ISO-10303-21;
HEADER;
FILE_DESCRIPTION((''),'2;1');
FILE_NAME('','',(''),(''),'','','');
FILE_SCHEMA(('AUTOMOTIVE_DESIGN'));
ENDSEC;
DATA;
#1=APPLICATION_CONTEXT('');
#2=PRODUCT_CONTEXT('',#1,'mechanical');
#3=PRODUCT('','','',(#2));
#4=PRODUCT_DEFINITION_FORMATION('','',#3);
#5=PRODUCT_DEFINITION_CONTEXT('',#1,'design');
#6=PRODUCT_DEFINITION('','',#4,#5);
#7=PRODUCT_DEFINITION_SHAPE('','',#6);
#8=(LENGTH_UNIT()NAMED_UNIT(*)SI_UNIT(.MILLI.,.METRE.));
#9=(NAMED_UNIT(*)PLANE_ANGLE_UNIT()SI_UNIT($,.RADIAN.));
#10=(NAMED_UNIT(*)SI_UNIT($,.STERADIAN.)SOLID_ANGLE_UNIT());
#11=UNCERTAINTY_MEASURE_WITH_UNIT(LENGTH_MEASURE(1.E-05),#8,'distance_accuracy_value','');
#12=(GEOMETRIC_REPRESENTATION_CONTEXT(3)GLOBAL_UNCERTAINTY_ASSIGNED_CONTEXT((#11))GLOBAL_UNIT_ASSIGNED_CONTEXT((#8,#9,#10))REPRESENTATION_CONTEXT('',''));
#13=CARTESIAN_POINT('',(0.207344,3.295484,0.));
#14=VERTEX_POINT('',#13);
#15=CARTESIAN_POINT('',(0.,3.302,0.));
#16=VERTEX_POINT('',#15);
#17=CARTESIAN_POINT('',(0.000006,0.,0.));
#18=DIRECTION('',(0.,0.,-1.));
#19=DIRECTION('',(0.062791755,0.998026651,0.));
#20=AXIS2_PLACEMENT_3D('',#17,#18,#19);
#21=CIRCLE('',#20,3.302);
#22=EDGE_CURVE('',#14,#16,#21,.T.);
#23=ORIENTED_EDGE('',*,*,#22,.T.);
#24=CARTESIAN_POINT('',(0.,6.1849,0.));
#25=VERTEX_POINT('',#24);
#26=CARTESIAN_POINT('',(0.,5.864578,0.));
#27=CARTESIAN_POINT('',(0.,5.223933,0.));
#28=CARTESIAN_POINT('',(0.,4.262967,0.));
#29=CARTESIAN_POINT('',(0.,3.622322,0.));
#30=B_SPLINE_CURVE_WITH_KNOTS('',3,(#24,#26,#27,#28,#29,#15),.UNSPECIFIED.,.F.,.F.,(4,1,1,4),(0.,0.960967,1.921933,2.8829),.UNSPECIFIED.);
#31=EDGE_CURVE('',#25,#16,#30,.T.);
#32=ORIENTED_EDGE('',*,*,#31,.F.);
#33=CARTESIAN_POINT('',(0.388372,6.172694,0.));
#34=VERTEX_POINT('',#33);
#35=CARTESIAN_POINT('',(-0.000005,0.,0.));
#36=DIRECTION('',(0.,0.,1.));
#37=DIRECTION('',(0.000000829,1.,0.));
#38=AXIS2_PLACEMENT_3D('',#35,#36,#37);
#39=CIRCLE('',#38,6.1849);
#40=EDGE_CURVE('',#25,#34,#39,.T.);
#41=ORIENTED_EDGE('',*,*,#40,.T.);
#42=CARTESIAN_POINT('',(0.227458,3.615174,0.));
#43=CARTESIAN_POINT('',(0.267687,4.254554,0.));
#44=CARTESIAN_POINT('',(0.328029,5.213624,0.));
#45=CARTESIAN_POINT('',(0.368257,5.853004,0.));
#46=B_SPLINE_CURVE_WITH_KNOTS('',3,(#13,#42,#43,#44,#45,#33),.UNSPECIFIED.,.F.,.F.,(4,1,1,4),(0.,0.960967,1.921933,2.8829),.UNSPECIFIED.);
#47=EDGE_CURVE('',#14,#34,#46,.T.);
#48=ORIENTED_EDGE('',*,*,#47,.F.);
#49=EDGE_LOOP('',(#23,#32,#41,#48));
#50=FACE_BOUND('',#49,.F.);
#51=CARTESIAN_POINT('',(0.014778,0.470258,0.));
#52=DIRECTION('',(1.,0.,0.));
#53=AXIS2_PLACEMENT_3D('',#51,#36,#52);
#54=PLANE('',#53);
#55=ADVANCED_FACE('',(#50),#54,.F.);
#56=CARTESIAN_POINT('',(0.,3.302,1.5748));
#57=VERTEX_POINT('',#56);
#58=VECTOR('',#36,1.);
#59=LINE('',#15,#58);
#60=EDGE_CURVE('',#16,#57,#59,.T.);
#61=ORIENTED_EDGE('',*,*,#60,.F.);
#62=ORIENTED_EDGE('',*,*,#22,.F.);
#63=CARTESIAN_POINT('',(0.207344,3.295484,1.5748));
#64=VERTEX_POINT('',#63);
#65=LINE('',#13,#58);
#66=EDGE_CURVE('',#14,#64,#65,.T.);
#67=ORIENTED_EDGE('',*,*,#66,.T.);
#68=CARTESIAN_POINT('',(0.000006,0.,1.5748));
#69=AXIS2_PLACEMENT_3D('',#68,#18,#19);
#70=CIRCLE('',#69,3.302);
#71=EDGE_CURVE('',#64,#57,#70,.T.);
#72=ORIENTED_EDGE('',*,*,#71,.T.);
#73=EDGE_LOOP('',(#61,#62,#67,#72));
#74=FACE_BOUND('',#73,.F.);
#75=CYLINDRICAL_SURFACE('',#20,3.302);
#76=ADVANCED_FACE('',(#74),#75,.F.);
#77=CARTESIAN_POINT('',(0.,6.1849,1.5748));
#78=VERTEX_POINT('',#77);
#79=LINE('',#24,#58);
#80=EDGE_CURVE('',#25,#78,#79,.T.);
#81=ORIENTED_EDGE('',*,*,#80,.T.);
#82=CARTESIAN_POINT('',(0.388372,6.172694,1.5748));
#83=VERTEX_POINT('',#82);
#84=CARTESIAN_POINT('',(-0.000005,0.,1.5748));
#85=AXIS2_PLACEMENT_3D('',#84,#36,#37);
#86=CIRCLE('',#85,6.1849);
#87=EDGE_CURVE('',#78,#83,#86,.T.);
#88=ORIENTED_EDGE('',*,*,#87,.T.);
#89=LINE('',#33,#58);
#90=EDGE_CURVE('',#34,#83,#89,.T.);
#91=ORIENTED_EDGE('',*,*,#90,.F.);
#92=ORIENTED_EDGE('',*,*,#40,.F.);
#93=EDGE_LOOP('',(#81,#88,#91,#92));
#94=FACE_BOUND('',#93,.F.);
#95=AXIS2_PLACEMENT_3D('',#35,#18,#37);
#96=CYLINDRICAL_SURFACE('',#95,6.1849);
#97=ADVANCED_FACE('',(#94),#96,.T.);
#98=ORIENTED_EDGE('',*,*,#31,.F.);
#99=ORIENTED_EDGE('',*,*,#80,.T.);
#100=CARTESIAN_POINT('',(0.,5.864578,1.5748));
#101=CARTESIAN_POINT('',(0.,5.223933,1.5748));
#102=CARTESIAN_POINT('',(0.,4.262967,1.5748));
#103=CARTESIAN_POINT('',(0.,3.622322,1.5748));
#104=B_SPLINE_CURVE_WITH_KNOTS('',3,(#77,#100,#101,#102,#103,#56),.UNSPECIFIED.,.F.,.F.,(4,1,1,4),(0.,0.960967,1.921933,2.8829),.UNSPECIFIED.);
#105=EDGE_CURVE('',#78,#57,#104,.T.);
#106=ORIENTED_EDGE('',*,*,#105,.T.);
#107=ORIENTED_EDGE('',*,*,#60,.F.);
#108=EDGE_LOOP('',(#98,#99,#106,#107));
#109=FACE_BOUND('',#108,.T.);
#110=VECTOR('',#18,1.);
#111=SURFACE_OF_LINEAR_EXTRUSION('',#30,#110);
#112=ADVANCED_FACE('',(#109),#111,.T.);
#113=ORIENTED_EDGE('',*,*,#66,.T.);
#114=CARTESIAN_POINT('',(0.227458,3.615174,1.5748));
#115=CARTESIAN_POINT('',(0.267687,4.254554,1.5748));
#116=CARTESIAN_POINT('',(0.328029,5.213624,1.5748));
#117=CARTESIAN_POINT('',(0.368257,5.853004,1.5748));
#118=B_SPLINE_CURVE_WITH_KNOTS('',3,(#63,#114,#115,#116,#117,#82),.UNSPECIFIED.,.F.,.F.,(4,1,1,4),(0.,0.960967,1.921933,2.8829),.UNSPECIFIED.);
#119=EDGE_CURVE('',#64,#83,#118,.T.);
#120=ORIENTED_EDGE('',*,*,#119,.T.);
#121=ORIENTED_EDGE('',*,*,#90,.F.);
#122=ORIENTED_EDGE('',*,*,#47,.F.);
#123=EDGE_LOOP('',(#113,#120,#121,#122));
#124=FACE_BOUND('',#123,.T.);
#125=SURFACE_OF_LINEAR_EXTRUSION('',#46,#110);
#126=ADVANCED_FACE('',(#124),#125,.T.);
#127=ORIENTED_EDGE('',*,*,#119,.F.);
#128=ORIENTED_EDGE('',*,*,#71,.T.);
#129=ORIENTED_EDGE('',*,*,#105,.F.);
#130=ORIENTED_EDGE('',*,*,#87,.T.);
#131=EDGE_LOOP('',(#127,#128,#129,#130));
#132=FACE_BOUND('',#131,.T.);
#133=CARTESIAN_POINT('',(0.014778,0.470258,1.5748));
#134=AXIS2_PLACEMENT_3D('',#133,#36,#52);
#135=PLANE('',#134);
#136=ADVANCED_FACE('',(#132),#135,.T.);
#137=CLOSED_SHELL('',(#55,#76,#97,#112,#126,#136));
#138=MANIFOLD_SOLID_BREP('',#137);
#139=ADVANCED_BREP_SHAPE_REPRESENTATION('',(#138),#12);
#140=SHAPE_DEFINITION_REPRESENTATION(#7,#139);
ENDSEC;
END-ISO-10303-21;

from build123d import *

# Parameters (mm, degrees)
F1_DEPTH = 1.5748


with BuildPart() as f1:
    # F0 (on Top) → F1 (new body)
    with BuildSketch(Plane.XY):
        with BuildLine():
            ThreePointArc((0.207344, 3.295484), (-0.103723, -3.300371), (0, 3.302))
            add(Edge.make_bspline(
                [(0, 6.1849), (0, 5.864578), (0, 5.223933), (0, 4.262967), (0, 3.622322), (0, 3.302)],
                knots=[0, 0, 0, 0, 0.960967, 1.921933, 2.8829, 2.8829, 2.8829, 2.8829], degree=3))
            ThreePointArc((0, 6.1849), (-0.194282, -6.181848), (0.388372, 6.172694))
            add(Edge.make_bspline(
                [(0.207344, 3.295484), (0.227458, 3.615174), (0.267687, 4.254554), (0.328029, 5.213624), (0.368257, 5.853004), (0.388372, 6.172694)],
                knots=[0, 0, 0, 0, 0.960967, 1.921933, 2.8829, 2.8829, 2.8829, 2.8829], degree=3))
        make_face()
    extrude(amount=F1_DEPTH)


solid = f1.part
